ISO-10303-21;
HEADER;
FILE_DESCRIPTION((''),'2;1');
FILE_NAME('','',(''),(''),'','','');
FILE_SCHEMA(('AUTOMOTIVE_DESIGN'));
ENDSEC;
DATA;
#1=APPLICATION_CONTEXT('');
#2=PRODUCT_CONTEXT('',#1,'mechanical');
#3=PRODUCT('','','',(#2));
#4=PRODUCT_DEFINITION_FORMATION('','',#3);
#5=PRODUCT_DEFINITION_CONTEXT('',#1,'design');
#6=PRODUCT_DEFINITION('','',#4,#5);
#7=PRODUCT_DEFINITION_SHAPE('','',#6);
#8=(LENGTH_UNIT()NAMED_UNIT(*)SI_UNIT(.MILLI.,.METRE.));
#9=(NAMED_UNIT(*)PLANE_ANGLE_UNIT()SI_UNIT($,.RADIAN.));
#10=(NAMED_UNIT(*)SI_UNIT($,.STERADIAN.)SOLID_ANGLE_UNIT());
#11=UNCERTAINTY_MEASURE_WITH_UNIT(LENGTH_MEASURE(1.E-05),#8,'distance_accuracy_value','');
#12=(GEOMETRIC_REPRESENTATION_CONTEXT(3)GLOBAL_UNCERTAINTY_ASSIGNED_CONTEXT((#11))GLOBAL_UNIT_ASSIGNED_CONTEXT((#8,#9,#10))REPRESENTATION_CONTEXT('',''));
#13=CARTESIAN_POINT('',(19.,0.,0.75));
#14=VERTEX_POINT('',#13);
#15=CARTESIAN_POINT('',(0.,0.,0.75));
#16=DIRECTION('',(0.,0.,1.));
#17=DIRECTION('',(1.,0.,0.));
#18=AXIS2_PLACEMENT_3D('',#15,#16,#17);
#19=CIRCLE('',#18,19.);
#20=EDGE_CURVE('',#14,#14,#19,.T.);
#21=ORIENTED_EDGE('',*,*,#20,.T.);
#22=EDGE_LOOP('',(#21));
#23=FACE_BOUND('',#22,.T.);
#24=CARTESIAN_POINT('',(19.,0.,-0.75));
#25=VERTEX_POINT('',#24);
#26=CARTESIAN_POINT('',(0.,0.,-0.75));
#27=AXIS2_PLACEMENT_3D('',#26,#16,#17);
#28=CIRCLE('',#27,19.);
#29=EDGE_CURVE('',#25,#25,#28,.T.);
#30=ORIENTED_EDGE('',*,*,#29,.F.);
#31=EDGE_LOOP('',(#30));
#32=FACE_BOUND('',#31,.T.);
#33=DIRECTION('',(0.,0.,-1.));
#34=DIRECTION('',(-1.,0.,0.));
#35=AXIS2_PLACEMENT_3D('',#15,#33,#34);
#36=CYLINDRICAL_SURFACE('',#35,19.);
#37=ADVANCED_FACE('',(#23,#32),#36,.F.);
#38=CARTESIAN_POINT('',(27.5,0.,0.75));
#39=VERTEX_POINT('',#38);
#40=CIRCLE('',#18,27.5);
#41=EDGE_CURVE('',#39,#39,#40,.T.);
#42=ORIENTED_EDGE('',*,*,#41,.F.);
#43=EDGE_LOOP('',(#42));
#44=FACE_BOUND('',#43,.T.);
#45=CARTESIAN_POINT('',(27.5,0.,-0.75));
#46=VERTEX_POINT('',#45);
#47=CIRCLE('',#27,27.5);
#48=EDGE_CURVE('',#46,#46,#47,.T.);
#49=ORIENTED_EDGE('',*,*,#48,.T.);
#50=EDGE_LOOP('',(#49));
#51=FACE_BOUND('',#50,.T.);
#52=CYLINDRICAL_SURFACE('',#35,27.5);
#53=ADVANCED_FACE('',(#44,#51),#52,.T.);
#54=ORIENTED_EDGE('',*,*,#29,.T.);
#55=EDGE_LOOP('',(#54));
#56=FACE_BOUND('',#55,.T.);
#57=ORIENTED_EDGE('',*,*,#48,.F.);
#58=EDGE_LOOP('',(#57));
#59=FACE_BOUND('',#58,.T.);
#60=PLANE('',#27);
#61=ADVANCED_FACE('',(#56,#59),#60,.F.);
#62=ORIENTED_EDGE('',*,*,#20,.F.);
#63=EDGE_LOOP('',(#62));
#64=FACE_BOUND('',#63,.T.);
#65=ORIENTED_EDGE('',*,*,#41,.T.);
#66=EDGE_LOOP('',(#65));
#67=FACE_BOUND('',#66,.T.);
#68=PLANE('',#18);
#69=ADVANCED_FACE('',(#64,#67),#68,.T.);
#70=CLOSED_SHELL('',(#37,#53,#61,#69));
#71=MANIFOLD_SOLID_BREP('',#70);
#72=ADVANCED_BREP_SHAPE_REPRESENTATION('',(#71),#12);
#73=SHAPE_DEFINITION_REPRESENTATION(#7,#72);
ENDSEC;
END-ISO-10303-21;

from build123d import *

# Parameters (mm, degrees)
SKIZZE1_R                       = 27.5
SKIZZE1_R_2                     = 19
AUFSATZ_LINEAR_AUSTRAGEN1_DEPTH = 0.75


with BuildPart() as part:
    # Skizze1 → Aufsatz-Linear austragen1 (new, symmetric)
    with BuildSketch(Plane.XY):
        Circle(SKIZZE1_R)
        Circle(SKIZZE1_R_2, mode=Mode.SUBTRACT)
    extrude(amount=AUFSATZ_LINEAR_AUSTRAGEN1_DEPTH, both=True)


solid = part.part
